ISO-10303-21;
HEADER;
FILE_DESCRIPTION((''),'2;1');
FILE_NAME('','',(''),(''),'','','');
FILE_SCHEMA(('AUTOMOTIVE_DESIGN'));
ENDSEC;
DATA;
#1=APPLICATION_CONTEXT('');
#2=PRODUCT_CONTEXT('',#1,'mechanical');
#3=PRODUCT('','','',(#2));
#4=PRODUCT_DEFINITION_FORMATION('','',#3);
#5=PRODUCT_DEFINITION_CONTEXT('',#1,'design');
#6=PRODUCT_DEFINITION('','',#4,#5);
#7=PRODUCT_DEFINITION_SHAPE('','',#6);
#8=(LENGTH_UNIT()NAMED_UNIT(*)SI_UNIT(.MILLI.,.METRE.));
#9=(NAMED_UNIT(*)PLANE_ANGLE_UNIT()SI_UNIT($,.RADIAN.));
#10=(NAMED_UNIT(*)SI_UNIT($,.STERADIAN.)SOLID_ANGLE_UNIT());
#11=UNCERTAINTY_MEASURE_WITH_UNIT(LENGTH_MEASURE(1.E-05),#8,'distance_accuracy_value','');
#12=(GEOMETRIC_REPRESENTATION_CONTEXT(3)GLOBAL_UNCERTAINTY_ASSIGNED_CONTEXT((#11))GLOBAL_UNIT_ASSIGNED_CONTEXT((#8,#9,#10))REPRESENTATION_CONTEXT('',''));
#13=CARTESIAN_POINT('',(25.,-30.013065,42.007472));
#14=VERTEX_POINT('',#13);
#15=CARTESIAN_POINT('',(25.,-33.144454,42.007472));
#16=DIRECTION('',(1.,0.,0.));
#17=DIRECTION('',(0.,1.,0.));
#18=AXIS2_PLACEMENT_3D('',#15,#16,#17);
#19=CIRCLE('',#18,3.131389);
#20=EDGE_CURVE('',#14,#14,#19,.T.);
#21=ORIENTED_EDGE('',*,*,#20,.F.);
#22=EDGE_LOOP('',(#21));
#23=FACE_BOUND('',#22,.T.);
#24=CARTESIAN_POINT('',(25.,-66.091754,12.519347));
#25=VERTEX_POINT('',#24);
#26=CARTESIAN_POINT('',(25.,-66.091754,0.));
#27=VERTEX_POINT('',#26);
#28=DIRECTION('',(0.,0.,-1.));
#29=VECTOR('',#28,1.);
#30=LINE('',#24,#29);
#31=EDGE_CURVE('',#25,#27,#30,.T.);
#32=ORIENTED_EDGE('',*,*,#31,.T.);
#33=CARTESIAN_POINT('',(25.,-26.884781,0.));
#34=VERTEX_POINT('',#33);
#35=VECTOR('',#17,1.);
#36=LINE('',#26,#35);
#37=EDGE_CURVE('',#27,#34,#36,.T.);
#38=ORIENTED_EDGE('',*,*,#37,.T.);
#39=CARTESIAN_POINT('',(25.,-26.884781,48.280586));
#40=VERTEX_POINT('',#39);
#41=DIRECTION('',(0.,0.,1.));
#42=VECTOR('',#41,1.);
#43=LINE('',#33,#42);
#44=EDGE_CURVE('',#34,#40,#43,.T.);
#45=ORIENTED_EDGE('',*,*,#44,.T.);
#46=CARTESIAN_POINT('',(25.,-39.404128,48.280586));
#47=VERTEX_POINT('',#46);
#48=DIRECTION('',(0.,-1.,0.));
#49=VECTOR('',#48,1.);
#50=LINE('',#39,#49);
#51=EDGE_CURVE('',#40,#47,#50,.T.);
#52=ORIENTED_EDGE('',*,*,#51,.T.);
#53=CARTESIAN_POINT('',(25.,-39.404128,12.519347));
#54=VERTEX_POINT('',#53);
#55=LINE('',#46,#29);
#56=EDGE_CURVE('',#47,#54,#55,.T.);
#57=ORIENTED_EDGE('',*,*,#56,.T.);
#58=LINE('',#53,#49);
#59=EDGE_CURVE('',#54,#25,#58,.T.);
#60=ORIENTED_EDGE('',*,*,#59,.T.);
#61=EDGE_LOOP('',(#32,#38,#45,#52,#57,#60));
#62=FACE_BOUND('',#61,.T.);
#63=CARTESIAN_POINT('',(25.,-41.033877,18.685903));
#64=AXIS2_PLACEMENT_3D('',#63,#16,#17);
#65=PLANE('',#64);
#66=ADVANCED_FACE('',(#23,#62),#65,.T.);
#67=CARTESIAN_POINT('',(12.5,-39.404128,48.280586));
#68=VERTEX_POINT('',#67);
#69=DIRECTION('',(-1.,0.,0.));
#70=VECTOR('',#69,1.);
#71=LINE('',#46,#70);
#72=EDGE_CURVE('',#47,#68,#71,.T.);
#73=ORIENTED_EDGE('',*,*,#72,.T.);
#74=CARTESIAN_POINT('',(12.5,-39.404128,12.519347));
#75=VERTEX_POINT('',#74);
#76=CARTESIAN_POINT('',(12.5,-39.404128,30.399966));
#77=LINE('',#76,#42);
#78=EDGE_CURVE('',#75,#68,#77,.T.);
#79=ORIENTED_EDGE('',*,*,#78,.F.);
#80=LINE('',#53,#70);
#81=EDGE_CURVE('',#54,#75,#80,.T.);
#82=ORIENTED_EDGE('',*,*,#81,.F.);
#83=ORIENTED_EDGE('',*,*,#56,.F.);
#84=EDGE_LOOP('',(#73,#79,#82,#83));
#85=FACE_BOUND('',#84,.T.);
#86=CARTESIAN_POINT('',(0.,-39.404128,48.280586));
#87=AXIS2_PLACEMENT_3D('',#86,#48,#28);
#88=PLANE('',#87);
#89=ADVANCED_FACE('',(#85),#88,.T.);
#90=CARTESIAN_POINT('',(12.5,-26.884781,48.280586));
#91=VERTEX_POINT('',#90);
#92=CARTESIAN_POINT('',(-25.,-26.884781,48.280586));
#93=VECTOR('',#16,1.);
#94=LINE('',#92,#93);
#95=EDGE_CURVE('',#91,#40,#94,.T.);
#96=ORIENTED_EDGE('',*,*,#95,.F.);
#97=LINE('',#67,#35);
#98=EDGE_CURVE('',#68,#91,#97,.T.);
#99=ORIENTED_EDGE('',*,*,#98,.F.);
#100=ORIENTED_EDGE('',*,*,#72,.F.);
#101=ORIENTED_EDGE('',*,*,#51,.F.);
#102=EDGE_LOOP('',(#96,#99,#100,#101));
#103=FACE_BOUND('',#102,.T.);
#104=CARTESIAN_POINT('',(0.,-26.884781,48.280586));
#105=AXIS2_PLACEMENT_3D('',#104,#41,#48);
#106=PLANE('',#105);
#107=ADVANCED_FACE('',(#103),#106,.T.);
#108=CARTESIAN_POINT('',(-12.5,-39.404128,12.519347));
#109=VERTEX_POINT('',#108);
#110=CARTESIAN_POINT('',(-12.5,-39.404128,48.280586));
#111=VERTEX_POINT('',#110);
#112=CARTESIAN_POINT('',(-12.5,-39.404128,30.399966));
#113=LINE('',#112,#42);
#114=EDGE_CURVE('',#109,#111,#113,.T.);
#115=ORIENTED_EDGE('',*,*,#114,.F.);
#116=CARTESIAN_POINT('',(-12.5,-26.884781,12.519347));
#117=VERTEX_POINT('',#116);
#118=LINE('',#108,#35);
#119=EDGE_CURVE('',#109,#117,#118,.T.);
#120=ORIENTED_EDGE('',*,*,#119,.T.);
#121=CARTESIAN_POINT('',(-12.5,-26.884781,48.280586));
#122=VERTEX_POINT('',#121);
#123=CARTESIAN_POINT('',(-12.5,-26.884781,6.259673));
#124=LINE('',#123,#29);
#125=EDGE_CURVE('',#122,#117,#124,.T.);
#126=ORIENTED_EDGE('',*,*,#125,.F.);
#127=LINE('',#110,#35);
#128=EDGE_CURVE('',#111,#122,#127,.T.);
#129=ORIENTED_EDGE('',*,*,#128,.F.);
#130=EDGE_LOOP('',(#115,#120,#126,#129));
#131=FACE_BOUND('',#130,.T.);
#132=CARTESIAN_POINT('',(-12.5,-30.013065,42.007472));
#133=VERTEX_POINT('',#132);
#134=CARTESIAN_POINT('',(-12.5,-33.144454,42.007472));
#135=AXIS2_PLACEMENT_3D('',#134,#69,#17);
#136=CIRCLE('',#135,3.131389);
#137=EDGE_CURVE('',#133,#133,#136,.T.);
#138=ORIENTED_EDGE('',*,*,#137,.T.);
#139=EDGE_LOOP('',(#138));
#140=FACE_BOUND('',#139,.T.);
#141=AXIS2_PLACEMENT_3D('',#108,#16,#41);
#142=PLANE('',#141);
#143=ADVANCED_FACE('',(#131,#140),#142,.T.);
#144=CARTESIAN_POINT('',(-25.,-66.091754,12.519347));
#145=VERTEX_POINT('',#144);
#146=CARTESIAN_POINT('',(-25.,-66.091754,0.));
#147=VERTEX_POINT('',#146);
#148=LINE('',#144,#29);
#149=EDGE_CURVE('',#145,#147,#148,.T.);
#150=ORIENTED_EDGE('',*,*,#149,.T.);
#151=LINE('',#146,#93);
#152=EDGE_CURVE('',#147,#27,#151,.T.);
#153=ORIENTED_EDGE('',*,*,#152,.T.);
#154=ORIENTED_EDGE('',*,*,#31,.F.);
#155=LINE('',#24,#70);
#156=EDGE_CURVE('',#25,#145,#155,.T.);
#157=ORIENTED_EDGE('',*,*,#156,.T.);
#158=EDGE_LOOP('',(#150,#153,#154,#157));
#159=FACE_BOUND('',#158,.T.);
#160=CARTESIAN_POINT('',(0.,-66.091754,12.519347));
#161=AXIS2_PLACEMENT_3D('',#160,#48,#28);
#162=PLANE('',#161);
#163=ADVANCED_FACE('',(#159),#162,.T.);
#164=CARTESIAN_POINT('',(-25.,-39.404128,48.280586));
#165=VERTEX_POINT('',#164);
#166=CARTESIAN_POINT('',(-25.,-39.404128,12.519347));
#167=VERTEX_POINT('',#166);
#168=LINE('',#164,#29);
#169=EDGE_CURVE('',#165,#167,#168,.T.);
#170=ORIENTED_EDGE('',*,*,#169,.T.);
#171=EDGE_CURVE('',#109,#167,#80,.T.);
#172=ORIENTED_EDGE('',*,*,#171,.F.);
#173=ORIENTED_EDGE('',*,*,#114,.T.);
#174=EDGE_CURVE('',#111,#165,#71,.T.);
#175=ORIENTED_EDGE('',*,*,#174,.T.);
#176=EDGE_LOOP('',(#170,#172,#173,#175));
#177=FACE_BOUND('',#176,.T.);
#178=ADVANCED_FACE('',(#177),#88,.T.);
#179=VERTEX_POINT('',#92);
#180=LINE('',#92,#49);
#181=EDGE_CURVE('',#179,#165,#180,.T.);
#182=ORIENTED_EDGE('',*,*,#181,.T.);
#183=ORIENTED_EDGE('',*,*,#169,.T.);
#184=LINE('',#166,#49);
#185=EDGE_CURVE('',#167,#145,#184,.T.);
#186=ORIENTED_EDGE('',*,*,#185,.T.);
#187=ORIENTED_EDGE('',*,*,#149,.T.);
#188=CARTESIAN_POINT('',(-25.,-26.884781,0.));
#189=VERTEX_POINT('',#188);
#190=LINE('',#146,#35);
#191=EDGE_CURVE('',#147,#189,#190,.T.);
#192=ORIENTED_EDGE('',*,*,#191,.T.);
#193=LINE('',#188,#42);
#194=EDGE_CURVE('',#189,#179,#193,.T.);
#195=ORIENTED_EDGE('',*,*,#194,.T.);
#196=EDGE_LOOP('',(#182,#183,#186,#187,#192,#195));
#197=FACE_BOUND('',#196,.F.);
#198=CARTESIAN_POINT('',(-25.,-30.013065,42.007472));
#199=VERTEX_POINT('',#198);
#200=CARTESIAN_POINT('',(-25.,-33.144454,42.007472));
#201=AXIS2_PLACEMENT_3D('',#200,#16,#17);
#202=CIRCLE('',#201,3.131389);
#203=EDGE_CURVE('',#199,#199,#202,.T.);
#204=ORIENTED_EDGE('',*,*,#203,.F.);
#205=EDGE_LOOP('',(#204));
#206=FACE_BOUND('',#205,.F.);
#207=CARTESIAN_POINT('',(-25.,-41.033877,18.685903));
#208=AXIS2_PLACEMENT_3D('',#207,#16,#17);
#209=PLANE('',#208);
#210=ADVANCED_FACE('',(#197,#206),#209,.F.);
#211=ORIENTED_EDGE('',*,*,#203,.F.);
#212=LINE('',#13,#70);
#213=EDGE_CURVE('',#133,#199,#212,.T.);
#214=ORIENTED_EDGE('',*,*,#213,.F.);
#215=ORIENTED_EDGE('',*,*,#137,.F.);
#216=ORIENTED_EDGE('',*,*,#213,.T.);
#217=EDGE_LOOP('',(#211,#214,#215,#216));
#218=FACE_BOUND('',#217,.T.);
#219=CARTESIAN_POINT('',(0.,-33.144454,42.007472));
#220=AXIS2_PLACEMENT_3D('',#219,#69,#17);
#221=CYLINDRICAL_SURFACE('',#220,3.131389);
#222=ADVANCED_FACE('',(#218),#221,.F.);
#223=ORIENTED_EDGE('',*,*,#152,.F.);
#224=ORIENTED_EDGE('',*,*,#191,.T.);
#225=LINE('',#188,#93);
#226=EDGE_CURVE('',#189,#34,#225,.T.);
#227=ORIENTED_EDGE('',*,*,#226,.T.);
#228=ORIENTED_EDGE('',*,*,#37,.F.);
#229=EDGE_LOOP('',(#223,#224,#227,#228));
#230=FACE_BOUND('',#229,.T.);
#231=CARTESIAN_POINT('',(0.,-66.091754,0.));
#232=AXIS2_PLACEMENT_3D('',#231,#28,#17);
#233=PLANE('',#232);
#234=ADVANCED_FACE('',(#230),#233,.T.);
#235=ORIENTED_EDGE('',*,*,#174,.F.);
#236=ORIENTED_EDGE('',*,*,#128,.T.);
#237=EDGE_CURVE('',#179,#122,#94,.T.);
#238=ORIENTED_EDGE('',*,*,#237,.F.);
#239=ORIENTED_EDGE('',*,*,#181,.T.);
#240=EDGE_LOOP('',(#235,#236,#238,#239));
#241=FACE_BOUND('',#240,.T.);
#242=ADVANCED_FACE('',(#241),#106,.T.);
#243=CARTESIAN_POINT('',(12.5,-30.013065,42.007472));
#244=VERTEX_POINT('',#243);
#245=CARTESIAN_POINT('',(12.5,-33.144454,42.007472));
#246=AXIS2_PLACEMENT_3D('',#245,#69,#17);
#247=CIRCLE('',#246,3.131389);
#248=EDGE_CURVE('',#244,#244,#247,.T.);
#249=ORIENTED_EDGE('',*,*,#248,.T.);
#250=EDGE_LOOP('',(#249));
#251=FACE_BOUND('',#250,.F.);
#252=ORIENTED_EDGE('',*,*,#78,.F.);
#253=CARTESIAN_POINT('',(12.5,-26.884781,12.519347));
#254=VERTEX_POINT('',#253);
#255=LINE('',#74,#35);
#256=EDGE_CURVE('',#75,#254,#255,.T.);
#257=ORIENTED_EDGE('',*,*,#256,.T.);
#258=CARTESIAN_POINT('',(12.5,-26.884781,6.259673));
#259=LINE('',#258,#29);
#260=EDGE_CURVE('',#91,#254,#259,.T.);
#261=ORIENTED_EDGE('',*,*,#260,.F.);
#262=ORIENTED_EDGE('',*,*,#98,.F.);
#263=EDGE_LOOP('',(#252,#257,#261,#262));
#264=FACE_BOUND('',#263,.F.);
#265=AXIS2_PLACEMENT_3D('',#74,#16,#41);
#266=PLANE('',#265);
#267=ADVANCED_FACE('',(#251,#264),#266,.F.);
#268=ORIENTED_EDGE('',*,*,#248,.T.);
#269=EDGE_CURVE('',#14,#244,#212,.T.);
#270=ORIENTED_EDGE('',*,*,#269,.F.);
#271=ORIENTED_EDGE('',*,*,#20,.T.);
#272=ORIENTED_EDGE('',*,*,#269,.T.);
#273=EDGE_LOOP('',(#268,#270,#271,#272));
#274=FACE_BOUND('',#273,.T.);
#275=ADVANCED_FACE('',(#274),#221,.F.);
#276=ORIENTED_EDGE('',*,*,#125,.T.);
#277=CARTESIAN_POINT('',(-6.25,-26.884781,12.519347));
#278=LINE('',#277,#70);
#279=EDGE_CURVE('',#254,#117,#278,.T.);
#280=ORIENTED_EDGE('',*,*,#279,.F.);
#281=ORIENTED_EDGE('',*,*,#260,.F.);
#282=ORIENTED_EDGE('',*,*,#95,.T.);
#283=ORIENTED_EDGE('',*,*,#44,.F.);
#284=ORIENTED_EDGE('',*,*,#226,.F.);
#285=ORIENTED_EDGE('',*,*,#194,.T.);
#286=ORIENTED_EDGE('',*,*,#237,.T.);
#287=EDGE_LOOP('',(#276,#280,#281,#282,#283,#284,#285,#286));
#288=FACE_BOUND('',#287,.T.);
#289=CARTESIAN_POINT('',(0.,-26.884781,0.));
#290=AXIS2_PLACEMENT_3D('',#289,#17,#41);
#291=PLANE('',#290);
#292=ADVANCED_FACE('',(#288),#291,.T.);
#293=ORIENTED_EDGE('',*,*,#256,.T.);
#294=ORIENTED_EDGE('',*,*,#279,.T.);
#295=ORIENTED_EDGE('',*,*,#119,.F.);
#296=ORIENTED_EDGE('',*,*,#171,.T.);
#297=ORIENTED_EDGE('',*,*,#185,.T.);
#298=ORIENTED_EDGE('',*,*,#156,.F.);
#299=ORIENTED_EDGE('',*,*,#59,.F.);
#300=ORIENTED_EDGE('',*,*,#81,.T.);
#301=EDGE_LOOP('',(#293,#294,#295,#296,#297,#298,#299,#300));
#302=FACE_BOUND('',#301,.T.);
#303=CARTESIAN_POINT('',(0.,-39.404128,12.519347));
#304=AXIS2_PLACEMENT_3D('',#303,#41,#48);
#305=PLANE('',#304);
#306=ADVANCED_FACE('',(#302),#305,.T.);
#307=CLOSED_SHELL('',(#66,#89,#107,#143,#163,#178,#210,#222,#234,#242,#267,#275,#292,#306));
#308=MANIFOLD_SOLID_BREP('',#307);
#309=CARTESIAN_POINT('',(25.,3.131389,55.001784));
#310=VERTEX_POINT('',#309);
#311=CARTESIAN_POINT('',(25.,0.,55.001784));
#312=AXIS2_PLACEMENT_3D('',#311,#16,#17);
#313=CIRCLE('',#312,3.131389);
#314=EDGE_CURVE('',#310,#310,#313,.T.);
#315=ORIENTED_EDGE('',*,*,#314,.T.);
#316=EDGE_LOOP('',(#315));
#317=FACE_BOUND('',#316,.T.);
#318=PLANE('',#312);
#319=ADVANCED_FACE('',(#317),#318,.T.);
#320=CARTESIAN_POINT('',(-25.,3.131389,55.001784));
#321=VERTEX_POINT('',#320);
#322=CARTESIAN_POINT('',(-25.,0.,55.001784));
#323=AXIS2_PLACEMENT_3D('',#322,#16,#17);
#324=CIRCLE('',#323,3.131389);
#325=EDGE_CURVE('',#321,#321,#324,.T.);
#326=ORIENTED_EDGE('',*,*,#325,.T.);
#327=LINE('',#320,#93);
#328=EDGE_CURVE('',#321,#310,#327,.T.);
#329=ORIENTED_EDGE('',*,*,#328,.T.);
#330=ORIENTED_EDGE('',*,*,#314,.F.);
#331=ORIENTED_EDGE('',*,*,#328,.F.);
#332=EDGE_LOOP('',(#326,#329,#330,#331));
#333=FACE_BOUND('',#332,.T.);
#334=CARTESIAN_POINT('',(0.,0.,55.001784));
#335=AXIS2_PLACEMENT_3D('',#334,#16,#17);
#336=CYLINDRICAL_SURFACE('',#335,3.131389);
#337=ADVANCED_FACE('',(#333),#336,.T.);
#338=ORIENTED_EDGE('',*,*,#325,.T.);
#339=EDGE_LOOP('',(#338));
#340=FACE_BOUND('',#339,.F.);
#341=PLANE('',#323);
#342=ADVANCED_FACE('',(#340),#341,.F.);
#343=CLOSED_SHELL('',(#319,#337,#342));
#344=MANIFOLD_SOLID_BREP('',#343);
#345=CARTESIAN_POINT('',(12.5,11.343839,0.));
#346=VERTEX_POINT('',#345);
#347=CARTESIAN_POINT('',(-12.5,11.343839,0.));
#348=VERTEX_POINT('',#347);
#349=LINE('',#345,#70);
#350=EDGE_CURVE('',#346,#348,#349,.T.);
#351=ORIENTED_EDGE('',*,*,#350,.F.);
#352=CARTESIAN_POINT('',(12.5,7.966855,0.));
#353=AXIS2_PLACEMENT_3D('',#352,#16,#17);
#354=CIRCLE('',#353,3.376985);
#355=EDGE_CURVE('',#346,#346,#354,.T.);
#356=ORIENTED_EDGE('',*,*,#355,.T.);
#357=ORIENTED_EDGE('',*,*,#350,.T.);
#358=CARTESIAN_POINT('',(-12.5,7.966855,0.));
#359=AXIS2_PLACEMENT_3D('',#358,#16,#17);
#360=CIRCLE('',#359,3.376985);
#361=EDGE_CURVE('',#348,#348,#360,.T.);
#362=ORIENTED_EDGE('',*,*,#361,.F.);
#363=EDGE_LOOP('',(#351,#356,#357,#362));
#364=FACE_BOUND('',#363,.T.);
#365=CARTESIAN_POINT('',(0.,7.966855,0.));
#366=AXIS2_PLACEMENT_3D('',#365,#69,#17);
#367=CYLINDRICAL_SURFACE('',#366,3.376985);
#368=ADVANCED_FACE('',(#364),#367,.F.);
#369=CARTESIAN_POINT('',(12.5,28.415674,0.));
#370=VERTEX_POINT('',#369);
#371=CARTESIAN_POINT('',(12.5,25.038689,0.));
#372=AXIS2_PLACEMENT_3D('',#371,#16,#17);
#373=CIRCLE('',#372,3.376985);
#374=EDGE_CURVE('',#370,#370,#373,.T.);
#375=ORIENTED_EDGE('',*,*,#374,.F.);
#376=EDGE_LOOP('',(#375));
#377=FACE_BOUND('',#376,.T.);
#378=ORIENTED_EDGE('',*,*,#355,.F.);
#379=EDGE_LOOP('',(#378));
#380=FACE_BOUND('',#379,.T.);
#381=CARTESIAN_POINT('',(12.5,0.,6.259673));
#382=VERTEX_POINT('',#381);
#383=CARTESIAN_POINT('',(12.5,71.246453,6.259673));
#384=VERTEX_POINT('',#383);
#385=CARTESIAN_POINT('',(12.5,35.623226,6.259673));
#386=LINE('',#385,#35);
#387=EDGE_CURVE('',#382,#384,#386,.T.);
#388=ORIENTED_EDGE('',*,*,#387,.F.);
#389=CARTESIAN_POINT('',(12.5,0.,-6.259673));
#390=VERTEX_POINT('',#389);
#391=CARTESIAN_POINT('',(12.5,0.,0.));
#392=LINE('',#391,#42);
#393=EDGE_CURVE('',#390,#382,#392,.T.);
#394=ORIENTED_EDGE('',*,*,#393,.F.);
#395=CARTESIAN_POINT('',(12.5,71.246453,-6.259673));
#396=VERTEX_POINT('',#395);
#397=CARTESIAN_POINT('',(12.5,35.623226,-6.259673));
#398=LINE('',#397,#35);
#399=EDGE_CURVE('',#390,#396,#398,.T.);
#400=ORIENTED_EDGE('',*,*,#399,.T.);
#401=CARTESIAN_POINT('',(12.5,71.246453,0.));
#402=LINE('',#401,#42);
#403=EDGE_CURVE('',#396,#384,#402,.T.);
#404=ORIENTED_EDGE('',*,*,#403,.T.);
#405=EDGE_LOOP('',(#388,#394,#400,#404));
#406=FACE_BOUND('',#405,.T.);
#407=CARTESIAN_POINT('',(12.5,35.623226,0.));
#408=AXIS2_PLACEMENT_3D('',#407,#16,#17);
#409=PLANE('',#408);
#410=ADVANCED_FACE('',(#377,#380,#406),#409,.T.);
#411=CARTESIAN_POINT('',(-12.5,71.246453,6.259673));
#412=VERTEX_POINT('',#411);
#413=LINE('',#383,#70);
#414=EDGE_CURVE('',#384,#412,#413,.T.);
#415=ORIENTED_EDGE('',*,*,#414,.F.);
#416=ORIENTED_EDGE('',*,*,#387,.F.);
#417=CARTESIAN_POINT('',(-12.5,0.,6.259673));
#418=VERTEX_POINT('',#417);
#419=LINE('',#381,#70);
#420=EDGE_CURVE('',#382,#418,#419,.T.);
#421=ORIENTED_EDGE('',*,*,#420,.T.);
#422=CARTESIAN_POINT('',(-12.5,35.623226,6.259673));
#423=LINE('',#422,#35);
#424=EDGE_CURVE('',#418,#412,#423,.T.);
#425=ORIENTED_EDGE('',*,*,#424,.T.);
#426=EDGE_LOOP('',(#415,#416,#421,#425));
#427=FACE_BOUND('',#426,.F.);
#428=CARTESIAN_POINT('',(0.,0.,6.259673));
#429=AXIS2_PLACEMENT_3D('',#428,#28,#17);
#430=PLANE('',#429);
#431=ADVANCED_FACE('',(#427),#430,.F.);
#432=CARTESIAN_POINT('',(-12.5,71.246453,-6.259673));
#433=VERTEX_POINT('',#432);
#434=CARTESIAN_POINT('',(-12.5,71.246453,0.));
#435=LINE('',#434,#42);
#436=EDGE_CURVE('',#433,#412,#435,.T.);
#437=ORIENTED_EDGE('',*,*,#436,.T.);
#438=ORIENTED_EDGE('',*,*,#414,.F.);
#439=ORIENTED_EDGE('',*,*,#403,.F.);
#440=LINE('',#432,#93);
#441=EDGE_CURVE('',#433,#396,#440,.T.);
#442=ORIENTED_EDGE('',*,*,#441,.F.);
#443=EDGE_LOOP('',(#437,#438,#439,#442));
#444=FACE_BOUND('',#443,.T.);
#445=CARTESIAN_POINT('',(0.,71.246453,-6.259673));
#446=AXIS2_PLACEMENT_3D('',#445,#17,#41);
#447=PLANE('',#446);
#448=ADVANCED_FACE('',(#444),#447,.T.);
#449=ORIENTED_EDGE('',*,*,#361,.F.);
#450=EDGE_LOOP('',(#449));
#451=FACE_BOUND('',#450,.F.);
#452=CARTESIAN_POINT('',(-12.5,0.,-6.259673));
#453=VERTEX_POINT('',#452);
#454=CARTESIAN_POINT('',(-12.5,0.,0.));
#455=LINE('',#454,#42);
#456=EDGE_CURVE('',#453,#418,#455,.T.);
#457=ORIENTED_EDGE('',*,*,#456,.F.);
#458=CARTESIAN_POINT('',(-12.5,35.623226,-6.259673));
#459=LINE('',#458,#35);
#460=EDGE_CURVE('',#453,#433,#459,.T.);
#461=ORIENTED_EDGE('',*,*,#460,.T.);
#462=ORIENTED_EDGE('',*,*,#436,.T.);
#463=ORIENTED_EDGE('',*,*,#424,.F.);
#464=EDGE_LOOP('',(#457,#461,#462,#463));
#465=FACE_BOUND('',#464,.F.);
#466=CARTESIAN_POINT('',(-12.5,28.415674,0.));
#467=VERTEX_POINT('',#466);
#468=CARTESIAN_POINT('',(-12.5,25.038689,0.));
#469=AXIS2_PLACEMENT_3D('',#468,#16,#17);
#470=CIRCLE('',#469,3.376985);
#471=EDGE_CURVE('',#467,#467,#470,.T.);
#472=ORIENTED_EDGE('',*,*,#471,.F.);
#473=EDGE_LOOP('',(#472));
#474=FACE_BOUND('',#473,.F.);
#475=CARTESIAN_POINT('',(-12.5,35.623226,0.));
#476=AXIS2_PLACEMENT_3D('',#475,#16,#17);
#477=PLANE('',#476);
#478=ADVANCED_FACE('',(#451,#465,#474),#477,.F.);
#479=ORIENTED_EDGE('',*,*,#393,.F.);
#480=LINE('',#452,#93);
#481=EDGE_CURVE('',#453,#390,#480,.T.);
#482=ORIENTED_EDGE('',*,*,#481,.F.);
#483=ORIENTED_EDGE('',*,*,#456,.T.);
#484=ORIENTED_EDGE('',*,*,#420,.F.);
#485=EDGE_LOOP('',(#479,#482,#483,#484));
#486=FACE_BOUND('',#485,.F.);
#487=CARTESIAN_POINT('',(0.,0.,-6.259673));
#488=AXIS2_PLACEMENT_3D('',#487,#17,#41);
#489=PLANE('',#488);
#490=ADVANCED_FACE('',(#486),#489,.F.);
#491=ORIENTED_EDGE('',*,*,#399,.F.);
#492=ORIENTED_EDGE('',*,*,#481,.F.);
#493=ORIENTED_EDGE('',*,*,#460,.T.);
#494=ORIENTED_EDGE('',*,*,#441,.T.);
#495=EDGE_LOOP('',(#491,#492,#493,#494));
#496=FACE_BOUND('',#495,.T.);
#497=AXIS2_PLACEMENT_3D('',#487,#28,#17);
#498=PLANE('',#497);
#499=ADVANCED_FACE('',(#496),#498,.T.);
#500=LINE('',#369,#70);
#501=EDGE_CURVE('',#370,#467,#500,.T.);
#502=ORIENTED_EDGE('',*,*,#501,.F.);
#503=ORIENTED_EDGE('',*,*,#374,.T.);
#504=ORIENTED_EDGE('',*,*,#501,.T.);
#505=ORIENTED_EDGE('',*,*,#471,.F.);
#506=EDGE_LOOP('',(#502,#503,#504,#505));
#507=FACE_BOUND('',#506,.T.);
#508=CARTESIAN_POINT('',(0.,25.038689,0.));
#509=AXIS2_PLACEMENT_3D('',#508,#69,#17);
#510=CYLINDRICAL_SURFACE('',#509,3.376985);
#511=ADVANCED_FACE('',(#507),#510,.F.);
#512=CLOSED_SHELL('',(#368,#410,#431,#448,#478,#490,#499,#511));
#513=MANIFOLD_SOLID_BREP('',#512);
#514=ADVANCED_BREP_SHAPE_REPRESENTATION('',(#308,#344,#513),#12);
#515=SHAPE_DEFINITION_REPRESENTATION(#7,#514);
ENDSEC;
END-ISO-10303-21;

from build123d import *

# Parameters (mm, degrees)
F0_W     = 71.2464526296
F0_H     = 12.5193465501
F0_R     = 3.3769848897
F1_DEPTH = 12.5
F2_R     = 3.1313890556
F3_DEPTH = 25
F4_W     = 25
F4_H     = 35.7612390071
F5_DEPTH = 110.6515803764
F6_R     = 3.1313890556
F7_DEPTH = 25


with BuildPart() as f1:
    # F0 (on Right) → F1 (new body, symmetric)
    with BuildSketch(Plane.YZ):
        with Locations((35.6232263148, 0)):
            Rectangle(F0_W, F0_H)
        with Locations((7.9668546095, 0)):
            Circle(F0_R, mode=Mode.SUBTRACT)
        with Locations((25.0386893749, 0)):
            Circle(F0_R, mode=Mode.SUBTRACT)
    extrude(amount=F1_DEPTH, both=True)


with BuildPart() as f3:
    # F2 (on Right) → F3 (new body, symmetric)
    with BuildSketch(Plane.YZ):
        Polygon((-66.0917535424, 12.5193465501), (-66.0917535424, 0), (-26.8847811967, 0), (-26.8847811967, 48.2805855572), (-39.4041277468, 48.2805855572), (-39.4041277468, 12.5193465501), align=None)
        with Locations((-33.1444544718, 42.0074723661)):
            Circle(F2_R, mode=Mode.SUBTRACT)
    extrude(amount=F3_DEPTH, both=True)

    # F4 (on face) → F5 (cut, through all)
    with BuildSketch(Plane.XZ.offset(39.4041277468)):
        with Locations((0, 30.3999660537)):
            Rectangle(F4_W, F4_H)
    extrude(amount=-F5_DEPTH, mode=Mode.SUBTRACT)


with BuildPart() as f7:
    # F6 (on Right) → F7 (new body, symmetric)
    with BuildSketch(Plane.YZ):
        with Locations((0, 55.001784116)):
            Circle(F6_R)
    extrude(amount=F7_DEPTH, both=True)


solid = Compound([f1.part, f3.part, f7.part])
